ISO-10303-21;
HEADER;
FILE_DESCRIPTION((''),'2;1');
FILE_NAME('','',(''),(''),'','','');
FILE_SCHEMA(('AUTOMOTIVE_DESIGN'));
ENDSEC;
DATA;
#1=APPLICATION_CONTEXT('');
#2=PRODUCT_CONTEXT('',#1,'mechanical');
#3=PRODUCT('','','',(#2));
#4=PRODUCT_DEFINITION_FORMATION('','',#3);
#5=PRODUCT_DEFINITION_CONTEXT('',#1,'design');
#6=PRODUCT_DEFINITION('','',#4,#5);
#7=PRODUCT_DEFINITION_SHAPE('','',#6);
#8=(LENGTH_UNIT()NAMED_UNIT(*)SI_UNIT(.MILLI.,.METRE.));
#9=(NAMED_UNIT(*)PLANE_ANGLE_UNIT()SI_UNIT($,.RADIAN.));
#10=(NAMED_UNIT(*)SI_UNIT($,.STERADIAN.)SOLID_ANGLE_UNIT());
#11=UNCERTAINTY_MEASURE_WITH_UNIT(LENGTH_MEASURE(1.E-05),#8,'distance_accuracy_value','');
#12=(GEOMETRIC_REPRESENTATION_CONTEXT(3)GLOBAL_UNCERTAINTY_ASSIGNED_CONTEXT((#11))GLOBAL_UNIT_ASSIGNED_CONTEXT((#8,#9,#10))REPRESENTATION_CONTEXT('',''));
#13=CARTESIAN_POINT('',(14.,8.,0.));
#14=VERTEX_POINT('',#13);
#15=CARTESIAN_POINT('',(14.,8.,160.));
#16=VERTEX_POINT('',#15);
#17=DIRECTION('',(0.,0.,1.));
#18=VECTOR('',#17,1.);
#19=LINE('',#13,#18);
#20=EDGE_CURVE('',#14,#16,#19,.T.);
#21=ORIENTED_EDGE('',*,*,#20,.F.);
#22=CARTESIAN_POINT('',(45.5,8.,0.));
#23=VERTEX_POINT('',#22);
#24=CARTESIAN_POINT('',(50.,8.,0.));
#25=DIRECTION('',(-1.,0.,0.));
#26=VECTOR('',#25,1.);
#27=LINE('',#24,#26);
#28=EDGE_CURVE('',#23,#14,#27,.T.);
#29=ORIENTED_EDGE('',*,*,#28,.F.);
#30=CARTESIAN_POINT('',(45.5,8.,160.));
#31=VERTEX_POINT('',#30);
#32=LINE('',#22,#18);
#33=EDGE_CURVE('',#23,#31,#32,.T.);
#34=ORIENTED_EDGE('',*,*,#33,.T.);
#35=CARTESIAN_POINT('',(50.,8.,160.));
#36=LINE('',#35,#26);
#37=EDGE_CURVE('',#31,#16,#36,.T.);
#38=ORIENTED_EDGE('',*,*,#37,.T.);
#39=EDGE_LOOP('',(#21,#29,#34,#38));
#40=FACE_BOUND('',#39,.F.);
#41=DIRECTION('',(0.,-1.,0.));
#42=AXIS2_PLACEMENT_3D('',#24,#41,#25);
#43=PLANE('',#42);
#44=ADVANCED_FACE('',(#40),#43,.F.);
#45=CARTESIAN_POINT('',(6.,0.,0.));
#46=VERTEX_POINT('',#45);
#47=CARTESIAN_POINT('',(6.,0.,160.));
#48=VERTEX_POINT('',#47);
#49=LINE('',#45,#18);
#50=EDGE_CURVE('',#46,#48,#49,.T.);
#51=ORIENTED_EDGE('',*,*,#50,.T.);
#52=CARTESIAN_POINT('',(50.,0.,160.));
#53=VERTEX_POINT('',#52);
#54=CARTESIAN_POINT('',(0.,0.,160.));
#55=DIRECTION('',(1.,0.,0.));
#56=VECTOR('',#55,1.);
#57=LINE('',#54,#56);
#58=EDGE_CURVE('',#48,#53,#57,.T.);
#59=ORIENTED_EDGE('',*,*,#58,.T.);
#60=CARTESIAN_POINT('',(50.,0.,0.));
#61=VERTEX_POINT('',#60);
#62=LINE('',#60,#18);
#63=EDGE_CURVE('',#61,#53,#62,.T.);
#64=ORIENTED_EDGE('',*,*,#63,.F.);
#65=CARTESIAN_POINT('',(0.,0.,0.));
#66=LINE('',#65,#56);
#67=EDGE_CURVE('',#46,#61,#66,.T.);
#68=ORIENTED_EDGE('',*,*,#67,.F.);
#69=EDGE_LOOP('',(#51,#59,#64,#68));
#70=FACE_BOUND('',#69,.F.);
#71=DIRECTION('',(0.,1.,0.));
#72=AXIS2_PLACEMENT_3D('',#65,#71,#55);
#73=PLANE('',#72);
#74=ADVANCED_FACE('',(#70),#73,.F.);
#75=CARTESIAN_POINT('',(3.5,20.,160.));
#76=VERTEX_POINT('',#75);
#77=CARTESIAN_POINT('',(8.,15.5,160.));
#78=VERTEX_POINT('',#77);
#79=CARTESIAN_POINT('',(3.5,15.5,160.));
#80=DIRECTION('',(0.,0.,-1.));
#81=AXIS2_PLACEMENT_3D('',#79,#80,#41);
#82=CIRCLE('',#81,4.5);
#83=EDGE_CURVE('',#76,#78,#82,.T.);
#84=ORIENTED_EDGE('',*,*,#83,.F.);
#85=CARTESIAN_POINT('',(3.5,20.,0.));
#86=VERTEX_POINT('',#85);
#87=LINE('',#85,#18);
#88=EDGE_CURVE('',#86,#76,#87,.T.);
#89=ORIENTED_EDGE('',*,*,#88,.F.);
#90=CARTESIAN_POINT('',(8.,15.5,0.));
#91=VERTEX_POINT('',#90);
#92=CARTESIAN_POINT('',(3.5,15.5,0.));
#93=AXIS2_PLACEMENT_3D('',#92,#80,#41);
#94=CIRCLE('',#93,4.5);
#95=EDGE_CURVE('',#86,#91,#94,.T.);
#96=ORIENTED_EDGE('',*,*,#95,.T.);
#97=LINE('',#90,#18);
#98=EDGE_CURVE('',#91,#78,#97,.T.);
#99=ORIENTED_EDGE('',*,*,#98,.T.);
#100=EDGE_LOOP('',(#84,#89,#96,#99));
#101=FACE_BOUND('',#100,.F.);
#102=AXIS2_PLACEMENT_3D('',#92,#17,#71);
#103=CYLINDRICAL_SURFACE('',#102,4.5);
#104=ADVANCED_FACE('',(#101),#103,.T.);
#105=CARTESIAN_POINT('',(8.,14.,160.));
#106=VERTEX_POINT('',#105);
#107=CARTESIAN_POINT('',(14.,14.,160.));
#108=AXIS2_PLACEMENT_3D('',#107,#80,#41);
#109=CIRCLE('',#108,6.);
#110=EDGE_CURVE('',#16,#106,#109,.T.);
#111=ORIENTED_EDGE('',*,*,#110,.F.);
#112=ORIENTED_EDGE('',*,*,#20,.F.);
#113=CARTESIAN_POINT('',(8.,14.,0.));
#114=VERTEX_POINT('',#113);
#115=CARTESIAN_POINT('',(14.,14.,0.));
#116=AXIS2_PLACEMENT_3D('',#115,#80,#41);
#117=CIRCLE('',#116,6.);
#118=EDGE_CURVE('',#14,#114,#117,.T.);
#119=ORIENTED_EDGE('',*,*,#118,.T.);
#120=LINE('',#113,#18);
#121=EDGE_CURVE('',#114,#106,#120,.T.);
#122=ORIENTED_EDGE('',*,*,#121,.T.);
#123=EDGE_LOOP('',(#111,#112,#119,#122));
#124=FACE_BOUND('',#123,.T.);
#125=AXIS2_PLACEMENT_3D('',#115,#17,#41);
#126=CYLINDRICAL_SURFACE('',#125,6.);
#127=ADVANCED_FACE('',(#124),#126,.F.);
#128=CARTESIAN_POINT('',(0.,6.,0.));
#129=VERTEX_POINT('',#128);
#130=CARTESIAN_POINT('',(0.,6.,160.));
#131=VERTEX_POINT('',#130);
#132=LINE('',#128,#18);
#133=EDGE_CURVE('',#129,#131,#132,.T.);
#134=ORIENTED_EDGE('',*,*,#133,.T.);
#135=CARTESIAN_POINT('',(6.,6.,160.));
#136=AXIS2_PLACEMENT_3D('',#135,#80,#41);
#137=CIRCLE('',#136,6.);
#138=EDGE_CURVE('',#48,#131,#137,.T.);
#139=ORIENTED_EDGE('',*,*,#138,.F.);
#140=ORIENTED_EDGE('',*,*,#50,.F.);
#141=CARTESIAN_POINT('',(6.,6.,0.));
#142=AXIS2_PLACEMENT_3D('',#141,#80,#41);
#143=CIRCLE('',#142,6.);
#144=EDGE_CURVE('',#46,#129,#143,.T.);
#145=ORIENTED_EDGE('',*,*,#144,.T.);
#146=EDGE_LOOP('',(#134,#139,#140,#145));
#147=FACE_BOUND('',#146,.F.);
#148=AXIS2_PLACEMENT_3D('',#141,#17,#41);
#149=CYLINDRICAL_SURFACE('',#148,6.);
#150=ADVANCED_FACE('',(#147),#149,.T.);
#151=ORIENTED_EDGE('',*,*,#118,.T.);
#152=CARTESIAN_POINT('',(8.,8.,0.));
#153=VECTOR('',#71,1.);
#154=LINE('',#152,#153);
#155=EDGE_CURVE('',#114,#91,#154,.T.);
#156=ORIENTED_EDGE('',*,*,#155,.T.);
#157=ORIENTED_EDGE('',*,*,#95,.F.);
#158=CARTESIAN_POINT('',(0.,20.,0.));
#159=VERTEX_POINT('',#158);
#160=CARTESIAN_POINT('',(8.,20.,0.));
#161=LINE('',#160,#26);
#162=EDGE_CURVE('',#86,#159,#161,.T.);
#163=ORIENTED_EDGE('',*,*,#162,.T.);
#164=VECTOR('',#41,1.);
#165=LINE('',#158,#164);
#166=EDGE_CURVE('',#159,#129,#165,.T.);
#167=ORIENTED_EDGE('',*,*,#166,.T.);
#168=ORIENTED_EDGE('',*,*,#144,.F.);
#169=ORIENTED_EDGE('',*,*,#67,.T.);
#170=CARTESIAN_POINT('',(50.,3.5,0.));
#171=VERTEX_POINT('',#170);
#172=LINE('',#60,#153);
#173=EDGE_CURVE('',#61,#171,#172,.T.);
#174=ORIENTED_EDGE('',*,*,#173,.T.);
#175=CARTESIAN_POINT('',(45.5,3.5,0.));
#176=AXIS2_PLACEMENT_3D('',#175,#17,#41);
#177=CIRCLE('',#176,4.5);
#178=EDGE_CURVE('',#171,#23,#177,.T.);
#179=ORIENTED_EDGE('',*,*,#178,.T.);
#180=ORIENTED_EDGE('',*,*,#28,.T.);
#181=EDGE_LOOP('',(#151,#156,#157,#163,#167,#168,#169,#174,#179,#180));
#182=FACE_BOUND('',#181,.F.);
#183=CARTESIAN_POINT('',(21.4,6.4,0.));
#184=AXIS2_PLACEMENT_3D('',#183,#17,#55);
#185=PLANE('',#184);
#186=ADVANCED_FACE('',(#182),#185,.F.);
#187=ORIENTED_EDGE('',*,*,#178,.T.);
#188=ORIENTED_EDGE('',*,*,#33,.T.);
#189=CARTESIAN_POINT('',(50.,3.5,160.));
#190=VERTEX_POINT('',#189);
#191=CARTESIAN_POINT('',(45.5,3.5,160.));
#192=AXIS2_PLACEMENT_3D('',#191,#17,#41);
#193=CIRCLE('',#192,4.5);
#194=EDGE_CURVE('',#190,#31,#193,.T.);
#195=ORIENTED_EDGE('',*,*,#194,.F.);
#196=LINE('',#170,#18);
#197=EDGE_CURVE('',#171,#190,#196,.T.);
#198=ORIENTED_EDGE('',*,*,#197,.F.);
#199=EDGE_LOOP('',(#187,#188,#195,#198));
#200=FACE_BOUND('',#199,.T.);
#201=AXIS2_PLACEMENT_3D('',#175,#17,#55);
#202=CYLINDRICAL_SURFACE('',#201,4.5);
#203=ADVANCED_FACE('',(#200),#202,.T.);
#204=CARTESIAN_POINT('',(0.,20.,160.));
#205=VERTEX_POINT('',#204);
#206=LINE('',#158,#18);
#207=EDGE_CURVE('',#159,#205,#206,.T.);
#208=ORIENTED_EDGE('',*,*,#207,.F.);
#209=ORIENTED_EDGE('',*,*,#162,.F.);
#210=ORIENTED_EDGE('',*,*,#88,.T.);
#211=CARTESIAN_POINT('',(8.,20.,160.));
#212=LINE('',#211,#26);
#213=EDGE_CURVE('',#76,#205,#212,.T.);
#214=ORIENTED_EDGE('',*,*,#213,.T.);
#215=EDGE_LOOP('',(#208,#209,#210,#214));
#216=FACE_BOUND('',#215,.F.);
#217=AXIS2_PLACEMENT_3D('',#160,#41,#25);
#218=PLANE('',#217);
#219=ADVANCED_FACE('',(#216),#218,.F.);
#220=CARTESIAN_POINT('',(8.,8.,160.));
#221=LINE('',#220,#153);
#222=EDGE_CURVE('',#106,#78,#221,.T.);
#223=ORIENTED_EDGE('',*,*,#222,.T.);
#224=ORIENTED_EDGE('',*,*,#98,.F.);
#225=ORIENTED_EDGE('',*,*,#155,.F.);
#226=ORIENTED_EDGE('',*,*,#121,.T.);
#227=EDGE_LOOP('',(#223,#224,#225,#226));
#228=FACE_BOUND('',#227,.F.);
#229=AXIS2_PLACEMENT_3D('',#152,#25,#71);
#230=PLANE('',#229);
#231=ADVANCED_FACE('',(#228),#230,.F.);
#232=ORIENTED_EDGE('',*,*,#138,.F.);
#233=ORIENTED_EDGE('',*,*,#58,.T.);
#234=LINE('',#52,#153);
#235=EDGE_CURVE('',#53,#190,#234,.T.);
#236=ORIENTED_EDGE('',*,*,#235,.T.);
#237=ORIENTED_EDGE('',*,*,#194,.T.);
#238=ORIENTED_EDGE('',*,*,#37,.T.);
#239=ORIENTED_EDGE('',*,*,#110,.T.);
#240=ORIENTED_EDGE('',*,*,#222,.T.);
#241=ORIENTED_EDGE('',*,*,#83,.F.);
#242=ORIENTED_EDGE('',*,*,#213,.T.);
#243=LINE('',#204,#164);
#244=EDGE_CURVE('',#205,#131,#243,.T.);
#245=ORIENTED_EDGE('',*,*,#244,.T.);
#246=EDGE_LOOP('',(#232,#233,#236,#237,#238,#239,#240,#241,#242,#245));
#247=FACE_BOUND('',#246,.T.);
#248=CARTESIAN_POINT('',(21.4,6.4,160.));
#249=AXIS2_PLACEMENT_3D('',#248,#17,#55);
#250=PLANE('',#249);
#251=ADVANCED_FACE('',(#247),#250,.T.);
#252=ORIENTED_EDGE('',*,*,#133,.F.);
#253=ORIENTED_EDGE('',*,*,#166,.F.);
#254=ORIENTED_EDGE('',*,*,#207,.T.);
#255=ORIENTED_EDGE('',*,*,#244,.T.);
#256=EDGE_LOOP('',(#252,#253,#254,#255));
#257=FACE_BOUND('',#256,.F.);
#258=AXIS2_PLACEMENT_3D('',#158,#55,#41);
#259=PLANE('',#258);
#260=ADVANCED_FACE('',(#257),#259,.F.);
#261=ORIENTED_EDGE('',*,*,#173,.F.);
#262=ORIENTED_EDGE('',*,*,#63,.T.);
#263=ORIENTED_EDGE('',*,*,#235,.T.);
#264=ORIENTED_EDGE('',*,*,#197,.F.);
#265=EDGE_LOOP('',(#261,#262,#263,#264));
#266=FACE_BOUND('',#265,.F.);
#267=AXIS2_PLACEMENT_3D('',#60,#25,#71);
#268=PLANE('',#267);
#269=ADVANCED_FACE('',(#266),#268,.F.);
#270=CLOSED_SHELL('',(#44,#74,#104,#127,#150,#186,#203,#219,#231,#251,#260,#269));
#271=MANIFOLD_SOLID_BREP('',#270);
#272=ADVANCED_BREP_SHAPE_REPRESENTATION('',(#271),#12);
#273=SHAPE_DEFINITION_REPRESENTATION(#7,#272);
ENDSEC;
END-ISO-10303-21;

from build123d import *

# Parameters (mm, degrees)
PAD_DEPTH   = 160
FILLET_R    = 6
FILLET001_R = 4.5
FILLET002_R = 6


with BuildPart() as part:
    # Sketch → Pad (new body)
    with BuildSketch(Plane.XY):
        Polygon((0, 0), (50, 0), (50, 8), (8, 8), (8, 20), (0, 20), align=None)
    extrude(amount=PAD_DEPTH)

    # Fillet
    fillet_edges = [part.edges().sort_by_distance(p)[0] for p in [
        (0, 0, 80),
    ]]
    fillet(fillet_edges, radius=FILLET_R)

    # Fillet001
    fillet001_edges = [part.edges().sort_by_distance(p)[0] for p in [
        (50, 8, 80),
        (8, 20, 80),
    ]]
    fillet(fillet001_edges, radius=FILLET001_R)

    # Fillet002
    fillet002_edges = [part.edges().sort_by_distance(p)[0] for p in [
        (8, 8, 80),
    ]]
    fillet(fillet002_edges, radius=FILLET002_R)


solid = part.part
